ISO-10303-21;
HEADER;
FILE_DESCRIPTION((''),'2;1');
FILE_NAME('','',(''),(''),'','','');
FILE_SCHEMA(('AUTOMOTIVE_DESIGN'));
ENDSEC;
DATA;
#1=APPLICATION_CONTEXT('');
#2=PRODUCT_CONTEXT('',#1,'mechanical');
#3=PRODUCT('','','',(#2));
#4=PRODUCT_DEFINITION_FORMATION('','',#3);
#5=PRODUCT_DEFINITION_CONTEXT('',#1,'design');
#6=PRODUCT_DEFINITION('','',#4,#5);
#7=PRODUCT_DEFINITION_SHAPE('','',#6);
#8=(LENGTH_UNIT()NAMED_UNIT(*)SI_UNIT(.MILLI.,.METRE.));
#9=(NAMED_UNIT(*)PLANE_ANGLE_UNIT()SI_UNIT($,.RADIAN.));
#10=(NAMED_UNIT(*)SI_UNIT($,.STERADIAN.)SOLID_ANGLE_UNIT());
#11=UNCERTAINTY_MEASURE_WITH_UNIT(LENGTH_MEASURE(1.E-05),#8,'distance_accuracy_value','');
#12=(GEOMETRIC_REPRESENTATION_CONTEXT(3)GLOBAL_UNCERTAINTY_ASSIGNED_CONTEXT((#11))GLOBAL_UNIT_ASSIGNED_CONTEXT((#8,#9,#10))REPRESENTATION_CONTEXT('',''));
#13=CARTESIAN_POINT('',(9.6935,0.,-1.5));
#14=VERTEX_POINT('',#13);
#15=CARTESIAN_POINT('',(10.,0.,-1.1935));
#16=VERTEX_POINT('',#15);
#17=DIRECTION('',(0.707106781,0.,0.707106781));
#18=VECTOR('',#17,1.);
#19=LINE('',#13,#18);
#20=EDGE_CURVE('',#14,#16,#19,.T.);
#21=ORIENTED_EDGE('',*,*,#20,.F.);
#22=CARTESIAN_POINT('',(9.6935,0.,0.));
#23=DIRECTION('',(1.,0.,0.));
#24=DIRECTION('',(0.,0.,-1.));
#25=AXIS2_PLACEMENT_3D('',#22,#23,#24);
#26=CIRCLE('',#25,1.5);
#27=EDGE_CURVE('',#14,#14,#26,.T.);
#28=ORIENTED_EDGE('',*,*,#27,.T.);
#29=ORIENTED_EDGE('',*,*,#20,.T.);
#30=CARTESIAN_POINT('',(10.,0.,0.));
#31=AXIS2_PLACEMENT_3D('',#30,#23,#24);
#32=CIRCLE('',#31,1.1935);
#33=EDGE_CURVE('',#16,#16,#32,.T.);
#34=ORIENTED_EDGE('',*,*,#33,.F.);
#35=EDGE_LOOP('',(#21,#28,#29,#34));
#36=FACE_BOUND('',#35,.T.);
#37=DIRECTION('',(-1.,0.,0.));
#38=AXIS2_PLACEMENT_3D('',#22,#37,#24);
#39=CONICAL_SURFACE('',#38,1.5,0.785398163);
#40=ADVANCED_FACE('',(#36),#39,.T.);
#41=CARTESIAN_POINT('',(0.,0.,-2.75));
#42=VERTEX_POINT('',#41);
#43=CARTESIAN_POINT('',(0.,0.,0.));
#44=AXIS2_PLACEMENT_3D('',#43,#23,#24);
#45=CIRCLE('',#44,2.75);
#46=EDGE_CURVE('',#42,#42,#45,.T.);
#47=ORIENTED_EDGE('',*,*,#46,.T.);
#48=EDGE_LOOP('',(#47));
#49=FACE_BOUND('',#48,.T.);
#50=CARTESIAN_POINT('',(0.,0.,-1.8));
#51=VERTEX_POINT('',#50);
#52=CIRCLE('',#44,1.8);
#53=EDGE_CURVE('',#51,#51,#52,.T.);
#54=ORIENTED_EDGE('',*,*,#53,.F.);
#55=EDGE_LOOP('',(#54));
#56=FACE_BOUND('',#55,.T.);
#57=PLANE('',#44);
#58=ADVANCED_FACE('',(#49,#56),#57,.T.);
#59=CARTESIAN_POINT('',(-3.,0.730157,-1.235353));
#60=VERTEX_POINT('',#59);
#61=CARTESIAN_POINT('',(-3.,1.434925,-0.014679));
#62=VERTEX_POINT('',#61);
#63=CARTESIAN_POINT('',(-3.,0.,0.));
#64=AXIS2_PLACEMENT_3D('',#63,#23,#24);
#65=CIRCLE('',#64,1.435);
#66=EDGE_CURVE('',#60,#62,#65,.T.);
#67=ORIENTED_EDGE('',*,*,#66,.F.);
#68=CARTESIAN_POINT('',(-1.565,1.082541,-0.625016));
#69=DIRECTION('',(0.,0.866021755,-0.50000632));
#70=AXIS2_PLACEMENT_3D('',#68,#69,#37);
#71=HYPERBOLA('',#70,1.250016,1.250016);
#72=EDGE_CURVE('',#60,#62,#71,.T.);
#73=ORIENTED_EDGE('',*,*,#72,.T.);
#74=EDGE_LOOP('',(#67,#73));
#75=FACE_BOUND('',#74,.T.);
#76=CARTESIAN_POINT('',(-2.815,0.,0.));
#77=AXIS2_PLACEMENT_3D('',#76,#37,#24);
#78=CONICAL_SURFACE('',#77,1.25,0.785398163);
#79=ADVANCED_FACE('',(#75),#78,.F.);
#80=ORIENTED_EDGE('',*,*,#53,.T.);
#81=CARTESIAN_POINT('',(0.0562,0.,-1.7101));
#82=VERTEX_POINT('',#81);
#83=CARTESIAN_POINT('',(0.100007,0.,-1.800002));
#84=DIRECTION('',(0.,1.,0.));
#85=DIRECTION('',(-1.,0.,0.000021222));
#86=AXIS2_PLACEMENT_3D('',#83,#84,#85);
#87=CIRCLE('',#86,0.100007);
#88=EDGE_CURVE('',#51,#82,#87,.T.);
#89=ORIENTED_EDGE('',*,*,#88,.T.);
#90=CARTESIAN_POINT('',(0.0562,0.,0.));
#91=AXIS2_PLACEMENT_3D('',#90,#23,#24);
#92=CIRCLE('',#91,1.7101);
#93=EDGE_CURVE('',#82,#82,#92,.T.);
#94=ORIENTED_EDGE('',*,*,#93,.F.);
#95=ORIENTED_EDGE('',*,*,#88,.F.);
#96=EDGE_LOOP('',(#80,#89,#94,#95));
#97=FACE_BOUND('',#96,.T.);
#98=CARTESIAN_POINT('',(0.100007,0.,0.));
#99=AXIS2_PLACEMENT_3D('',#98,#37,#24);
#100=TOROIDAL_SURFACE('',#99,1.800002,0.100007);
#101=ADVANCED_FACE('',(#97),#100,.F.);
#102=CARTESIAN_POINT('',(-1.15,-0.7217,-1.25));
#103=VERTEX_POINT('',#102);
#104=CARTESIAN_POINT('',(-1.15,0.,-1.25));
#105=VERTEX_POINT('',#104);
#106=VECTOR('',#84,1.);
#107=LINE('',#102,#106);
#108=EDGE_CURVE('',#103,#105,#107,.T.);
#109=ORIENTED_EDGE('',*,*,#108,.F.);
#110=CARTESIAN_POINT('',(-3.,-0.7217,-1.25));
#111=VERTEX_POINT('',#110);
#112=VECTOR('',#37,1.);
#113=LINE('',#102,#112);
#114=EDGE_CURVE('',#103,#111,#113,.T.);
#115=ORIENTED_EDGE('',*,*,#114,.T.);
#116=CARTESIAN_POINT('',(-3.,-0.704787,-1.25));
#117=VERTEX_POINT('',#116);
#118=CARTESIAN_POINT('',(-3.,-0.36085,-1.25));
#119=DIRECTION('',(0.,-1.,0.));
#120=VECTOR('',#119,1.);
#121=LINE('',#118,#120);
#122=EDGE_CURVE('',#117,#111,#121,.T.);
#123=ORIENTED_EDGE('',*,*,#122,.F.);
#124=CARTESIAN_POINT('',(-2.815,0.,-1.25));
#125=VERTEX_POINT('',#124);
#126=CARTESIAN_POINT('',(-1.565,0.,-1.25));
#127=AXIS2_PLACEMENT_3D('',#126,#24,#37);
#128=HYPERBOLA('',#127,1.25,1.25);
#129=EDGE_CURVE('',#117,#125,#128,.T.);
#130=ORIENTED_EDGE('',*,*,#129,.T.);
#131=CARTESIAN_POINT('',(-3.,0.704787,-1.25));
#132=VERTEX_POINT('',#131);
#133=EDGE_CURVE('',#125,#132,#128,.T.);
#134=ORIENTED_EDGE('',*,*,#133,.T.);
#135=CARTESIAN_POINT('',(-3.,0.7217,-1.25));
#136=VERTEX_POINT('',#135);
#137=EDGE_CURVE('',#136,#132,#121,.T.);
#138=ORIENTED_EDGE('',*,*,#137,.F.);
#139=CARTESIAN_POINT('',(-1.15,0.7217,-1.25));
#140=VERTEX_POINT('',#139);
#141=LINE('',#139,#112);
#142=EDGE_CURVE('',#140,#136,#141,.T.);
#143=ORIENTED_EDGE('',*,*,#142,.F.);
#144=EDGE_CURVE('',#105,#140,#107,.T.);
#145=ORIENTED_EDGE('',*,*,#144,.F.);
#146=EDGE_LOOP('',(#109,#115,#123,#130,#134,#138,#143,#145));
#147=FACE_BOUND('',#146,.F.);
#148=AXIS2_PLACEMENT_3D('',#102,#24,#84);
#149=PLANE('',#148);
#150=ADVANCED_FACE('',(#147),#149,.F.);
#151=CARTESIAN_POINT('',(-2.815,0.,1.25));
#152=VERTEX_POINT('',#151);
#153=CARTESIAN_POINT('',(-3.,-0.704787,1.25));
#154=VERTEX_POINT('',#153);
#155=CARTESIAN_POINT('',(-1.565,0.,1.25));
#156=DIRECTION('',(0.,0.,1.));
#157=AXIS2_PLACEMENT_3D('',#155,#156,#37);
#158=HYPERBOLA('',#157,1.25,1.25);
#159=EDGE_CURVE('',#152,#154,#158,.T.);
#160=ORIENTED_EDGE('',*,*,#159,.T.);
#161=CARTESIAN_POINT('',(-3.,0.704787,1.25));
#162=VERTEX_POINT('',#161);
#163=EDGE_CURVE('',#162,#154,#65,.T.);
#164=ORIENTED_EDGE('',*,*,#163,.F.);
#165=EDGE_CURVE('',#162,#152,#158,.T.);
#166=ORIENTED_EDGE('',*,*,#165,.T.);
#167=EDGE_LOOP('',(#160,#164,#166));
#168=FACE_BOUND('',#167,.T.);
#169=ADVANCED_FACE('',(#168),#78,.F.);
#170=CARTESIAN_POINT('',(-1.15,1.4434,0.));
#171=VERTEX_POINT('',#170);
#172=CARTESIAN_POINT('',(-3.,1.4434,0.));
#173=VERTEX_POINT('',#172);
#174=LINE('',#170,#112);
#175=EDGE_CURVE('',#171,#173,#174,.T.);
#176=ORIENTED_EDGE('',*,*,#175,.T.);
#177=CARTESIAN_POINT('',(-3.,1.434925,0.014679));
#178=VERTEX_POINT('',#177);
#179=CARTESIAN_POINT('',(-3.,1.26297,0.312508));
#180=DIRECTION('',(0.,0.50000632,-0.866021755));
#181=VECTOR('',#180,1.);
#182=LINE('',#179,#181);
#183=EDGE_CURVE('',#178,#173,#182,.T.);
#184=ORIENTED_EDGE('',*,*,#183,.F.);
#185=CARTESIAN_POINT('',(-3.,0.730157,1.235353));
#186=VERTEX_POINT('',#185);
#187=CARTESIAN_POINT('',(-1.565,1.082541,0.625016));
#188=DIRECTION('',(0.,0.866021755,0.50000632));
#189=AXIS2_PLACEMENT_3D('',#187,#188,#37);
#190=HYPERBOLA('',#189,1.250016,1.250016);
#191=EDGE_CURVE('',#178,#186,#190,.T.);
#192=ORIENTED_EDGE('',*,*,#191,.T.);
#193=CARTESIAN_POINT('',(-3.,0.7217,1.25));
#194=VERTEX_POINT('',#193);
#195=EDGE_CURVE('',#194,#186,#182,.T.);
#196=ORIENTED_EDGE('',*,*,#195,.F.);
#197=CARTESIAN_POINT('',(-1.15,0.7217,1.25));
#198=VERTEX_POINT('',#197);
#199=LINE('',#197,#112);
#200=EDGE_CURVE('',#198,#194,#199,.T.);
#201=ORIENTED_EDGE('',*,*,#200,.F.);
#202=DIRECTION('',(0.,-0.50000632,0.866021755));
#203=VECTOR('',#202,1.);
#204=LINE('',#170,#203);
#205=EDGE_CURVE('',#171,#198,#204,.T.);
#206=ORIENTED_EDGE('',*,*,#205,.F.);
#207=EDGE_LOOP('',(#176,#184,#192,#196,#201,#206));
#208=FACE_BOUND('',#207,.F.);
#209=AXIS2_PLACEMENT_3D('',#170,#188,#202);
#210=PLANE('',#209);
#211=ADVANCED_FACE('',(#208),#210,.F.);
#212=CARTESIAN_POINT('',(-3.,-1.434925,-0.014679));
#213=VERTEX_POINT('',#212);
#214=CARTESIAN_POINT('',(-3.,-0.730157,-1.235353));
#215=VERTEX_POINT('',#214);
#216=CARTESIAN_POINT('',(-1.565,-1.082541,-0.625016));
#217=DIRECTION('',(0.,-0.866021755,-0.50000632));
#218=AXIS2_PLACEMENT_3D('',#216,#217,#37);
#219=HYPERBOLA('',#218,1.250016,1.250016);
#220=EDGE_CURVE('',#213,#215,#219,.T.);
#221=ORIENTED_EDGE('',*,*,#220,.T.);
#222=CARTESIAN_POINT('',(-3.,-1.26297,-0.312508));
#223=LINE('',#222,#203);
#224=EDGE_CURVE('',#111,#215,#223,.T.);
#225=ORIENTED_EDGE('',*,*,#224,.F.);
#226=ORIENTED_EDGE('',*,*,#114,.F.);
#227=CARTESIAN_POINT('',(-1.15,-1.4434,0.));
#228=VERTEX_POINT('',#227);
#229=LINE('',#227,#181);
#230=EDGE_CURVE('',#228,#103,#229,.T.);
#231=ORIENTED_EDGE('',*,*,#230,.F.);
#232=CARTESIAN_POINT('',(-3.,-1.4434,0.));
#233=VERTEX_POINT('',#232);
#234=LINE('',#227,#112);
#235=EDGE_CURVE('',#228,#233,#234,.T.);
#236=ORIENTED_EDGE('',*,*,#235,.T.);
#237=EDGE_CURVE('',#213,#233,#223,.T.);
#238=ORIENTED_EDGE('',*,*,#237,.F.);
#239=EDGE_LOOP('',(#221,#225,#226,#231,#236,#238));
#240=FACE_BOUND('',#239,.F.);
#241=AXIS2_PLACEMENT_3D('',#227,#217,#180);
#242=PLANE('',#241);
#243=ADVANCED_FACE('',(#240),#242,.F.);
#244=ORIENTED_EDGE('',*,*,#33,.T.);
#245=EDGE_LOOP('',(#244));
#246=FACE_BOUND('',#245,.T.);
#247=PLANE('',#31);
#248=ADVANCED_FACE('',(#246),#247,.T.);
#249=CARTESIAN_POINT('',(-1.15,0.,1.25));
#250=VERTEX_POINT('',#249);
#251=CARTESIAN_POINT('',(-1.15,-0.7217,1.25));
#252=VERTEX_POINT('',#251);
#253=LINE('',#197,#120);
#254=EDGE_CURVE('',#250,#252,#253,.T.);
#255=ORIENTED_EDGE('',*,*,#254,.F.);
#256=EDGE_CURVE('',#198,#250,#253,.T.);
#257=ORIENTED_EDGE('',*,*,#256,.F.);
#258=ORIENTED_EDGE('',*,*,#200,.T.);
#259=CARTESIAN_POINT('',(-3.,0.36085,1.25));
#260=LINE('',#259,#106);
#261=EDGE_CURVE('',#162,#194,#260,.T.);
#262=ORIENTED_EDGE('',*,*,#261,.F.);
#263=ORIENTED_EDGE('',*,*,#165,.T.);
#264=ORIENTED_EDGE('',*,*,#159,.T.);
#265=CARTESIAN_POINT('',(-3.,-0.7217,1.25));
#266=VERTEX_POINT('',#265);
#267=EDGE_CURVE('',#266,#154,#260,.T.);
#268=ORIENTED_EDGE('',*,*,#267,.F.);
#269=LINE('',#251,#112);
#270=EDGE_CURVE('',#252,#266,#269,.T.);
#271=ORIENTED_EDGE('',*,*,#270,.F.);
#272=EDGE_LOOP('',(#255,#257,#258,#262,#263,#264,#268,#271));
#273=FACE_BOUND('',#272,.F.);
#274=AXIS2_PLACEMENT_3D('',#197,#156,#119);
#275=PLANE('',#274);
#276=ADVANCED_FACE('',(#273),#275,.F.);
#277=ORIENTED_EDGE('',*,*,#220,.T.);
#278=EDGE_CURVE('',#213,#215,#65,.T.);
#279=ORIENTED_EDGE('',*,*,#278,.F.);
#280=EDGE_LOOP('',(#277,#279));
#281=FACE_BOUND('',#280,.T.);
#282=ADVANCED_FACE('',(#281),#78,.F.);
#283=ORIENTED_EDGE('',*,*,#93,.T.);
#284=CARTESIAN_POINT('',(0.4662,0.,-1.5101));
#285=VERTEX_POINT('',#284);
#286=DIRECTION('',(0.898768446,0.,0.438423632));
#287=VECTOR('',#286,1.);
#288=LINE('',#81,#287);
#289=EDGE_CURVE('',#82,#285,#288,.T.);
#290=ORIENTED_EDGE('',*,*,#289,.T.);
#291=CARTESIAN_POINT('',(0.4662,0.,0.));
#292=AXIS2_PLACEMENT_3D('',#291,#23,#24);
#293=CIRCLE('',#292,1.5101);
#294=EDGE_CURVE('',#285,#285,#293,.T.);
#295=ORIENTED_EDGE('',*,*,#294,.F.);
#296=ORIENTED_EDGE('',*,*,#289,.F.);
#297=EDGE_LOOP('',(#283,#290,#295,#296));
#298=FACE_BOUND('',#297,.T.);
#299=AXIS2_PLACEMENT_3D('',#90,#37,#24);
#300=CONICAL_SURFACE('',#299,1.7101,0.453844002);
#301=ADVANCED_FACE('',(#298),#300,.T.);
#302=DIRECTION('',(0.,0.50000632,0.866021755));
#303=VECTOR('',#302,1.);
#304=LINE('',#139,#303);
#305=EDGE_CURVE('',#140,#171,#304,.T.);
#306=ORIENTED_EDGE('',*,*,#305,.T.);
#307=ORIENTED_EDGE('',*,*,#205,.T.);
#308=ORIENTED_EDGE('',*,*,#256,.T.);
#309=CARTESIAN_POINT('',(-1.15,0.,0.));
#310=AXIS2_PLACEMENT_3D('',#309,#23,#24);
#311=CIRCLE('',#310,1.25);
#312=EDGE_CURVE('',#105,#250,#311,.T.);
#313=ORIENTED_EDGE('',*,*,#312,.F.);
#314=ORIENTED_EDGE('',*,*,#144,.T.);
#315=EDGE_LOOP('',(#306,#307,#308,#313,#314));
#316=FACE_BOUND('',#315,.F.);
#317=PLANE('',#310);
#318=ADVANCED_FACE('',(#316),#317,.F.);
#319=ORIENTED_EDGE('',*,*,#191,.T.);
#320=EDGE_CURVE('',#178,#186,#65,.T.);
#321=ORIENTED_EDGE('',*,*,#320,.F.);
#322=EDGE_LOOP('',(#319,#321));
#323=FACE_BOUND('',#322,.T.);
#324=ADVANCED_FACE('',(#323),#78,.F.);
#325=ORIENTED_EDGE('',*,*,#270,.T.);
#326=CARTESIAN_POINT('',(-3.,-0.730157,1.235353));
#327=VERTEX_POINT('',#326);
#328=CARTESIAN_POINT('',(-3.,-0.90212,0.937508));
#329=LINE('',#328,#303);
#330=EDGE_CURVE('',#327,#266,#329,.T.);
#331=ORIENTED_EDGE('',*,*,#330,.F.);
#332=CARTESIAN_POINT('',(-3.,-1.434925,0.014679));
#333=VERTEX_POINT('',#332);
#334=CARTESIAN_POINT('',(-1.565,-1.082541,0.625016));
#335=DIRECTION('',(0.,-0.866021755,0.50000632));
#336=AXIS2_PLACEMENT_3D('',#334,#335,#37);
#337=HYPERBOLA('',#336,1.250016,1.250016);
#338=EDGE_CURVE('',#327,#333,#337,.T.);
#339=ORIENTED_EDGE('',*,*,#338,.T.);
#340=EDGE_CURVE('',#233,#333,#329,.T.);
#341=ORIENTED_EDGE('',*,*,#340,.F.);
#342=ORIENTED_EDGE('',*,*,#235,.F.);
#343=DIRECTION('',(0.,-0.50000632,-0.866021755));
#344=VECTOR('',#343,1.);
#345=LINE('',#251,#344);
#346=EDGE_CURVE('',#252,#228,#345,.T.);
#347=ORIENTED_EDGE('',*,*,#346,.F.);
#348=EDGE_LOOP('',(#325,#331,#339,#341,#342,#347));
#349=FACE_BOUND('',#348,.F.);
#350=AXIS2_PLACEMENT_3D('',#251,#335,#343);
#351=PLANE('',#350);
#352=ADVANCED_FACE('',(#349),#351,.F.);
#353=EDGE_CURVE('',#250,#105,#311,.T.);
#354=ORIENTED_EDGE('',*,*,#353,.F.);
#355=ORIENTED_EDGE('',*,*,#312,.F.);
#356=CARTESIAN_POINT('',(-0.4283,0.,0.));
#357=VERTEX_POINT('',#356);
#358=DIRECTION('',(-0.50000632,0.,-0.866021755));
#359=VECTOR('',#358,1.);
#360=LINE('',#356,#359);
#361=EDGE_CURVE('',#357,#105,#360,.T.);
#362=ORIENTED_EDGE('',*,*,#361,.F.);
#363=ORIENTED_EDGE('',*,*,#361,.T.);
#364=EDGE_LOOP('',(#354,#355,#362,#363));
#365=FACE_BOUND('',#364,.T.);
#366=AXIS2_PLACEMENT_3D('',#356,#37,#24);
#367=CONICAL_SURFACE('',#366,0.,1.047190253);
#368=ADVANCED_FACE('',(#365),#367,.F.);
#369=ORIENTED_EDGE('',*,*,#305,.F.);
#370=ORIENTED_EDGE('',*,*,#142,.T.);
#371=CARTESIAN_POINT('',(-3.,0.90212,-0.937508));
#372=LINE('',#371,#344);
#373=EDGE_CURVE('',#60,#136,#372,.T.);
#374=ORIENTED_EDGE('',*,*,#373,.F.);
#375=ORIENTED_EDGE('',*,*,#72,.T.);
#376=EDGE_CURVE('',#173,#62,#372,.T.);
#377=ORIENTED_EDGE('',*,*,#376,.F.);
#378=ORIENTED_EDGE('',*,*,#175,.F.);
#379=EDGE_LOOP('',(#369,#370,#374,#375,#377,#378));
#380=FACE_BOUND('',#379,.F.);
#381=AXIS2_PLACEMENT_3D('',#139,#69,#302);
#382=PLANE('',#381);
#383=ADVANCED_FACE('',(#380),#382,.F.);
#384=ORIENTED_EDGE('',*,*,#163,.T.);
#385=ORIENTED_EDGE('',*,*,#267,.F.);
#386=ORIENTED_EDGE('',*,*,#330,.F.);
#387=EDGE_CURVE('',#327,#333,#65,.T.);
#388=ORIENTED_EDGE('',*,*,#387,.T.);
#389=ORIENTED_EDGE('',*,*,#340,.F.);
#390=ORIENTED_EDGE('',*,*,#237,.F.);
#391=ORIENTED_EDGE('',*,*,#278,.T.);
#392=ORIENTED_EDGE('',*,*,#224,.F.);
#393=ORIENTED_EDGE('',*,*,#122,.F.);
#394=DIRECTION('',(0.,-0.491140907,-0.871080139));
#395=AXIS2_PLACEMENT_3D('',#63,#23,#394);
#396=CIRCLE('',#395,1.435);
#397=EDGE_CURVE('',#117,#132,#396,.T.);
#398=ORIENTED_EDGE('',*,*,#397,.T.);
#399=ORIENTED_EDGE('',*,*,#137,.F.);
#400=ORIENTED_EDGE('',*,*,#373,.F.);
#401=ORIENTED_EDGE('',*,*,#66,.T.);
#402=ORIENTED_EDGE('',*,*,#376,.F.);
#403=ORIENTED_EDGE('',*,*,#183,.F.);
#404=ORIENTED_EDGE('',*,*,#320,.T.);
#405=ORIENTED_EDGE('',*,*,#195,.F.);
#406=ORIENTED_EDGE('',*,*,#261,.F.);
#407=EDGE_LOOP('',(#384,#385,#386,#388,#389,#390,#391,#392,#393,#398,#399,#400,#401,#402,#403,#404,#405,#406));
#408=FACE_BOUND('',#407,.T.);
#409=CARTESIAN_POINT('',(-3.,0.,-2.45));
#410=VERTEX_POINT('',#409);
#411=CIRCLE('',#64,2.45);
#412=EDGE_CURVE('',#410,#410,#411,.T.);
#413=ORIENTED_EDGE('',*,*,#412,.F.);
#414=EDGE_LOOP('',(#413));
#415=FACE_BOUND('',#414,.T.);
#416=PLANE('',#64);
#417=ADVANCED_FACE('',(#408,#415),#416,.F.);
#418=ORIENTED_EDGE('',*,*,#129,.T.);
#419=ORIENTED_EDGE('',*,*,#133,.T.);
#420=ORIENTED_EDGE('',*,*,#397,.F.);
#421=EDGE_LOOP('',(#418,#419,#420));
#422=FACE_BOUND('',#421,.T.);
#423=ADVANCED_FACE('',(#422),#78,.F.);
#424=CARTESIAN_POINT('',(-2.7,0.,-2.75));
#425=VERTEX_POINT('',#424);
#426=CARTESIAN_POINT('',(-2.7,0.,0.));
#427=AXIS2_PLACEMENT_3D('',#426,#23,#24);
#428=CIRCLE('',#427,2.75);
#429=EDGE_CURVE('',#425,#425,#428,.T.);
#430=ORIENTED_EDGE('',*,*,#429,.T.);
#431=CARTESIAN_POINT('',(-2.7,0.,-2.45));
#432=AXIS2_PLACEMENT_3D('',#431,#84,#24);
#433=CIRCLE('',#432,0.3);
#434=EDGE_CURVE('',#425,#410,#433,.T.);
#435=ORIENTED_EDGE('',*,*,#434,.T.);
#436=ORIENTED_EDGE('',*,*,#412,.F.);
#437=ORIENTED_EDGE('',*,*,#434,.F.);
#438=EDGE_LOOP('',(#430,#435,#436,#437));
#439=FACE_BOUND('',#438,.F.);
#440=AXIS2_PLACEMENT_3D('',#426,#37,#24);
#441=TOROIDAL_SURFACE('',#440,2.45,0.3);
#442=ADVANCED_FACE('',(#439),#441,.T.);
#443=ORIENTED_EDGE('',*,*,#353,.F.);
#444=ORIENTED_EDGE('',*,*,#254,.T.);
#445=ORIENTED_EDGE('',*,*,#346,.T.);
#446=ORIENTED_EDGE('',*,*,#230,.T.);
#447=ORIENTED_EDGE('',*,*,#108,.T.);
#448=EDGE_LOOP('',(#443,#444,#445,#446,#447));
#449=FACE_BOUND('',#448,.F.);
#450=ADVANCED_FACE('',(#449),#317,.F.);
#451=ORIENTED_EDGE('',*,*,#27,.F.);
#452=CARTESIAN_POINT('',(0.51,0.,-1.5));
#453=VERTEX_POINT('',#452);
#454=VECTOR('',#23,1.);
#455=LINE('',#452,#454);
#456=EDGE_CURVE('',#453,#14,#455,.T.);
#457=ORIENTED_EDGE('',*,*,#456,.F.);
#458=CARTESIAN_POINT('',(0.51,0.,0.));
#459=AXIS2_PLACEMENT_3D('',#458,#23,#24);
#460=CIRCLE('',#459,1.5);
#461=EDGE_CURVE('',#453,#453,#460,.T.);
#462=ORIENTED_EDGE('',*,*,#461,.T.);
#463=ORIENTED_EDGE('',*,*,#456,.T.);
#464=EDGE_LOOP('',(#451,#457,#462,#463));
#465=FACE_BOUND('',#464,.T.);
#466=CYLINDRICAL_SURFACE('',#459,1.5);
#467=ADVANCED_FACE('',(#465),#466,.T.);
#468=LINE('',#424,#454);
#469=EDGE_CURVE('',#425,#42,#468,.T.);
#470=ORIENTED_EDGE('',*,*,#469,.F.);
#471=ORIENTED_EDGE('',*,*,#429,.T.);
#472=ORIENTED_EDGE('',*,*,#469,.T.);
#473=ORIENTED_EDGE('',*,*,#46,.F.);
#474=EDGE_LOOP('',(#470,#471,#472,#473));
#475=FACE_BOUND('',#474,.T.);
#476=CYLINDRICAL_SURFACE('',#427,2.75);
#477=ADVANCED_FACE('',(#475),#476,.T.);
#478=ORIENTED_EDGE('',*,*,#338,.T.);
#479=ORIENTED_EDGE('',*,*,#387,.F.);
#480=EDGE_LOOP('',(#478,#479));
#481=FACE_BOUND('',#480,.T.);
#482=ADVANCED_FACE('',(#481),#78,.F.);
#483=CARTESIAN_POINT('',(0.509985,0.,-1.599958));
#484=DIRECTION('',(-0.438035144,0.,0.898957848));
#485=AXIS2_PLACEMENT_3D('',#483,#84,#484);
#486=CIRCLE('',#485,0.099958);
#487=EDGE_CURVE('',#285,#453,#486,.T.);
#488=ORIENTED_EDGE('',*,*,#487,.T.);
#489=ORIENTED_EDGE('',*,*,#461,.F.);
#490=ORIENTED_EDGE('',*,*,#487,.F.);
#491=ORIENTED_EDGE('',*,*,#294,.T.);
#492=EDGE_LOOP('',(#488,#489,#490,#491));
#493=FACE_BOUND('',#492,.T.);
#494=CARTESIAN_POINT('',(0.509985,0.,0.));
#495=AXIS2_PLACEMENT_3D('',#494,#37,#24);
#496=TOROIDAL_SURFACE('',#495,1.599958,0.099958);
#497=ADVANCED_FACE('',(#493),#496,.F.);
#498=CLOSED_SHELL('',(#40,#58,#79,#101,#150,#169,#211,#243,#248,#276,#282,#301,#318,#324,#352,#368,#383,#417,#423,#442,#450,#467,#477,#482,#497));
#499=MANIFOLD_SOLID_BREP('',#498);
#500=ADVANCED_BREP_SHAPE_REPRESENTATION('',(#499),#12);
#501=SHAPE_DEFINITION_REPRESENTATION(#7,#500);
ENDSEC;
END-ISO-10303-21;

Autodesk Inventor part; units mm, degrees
sketch "Sketch_1" plane through (0, 0, 0) normal (0, 1, 0) x (-1, 0, 0)
  line L0 (-10, 0) -> (6, 0)
  line L1 (0.4283, 0) -> (1.15, -1.25)
  line L2 (1.15, -1.25) -> (2.815, -1.25)
  line L3 (2.815, -1.25) -> (3, -1.435)
  line L4 (3, -1.435) -> (3, -2.45)
  arc A0 (2.7, -2.75) -> (3, -2.45) centre (2.7, -2.45) ccw
  line L5 (2.7, -2.75) -> (0, -2.75)
  line L6 (0, -2.75) -> (0, -1.8)
  arc A1 (0, -1.8) -> (-0.0562, -1.7101) centre (-0.1, -1.8) ccw
  line L7 (-0.0562, -1.7101) -> (-0.4662, -1.5101)
  arc A2 (-0.4662, -1.5101) -> (-0.51, -1.5) centre (-0.51, -1.6) ccw
  line L8 (-0.51, -1.5) -> (-9.6935, -1.5)
  line L9 (-9.6935, -1.5) -> (-10, -1.1935)
  line L10 (-10, -1.1935) -> (-10, 0)
  line L11 (-10, 0) -> (0.4283, 0)
revolve "Revolution1" add sketch "Sketch_1" angle 360 about axis through (10, 0, 0) along (1, 0, 0)
thread "Thread1" size "M3x0.5" class "6g" standard "ISO Metric profile" length 7.6835
sketch "Skizze_1" plane through (-1.15, 0, 0) normal (1, 0, 0) x (0, 0, -1)
  line L0 (-1.25, -0.7217) -> (0, -1.4434)
  line L1 (0, -1.4434) -> (1.25, -0.7217)
  line L2 (1.25, -0.7217) -> (1.25, 0.7217)
  line L3 (1.25, 0.7217) -> (0, 1.4434)
  line L4 (0, 1.4434) -> (-1.25, 0.7217)
  line L5 (-1.25, 0.7217) -> (-1.25, -0.7217)
extrude "Extrusion1" cut sketch "Skizze_1" against normal blind 2.6
ref_plane "IP1_XY" through (0, 0, 0) normal (1, 0, 0) x (0, 0, -1)
ref_plane "IP1_YZ" through (0, 0, 0) normal (0, 0, -1) x (0, 1, 0)
ref_plane "IP1_ZX" through (0, 0, 0) normal (0, 1, 0) x (1, 0, 0)
ref_plane "IP2_XY" through (-3, 0, 0) normal (1, 0, 0) x (0, 0, -1)
ref_plane "IP2_YZ" through (-3, 0, 0) normal (0, 0, -1) x (0, 1, 0)
ref_plane "IP2_ZX" through (-3, 0, 0) normal (0, 1, 0) x (1, 0, 0)
ref_plane "IP3_XY" through (10, 0, 0) normal (1, 0, 0) x (0, 0, -1)
ref_plane "IP3_YZ" through (10, 0, 0) normal (0, 0, -1) x (0, 1, 0)
ref_plane "IP3_ZX" through (10, 0, 0) normal (0, 1, 0) x (1, 0, 0)
ref_plane "IP4_XY" through (0, 0, 0) normal (1, 0, 0) x (0, 0, -1)
ref_plane "IP4_YZ" through (0, 0, 0) normal (0, 0, -1) x (0, 1, 0)
ref_plane "IP4_ZX" through (0, 0, 0) normal (0, 1, 0) x (1, 0, 0)
properties part number "Slotted head cap screw ISO 4762 - M3x10"
